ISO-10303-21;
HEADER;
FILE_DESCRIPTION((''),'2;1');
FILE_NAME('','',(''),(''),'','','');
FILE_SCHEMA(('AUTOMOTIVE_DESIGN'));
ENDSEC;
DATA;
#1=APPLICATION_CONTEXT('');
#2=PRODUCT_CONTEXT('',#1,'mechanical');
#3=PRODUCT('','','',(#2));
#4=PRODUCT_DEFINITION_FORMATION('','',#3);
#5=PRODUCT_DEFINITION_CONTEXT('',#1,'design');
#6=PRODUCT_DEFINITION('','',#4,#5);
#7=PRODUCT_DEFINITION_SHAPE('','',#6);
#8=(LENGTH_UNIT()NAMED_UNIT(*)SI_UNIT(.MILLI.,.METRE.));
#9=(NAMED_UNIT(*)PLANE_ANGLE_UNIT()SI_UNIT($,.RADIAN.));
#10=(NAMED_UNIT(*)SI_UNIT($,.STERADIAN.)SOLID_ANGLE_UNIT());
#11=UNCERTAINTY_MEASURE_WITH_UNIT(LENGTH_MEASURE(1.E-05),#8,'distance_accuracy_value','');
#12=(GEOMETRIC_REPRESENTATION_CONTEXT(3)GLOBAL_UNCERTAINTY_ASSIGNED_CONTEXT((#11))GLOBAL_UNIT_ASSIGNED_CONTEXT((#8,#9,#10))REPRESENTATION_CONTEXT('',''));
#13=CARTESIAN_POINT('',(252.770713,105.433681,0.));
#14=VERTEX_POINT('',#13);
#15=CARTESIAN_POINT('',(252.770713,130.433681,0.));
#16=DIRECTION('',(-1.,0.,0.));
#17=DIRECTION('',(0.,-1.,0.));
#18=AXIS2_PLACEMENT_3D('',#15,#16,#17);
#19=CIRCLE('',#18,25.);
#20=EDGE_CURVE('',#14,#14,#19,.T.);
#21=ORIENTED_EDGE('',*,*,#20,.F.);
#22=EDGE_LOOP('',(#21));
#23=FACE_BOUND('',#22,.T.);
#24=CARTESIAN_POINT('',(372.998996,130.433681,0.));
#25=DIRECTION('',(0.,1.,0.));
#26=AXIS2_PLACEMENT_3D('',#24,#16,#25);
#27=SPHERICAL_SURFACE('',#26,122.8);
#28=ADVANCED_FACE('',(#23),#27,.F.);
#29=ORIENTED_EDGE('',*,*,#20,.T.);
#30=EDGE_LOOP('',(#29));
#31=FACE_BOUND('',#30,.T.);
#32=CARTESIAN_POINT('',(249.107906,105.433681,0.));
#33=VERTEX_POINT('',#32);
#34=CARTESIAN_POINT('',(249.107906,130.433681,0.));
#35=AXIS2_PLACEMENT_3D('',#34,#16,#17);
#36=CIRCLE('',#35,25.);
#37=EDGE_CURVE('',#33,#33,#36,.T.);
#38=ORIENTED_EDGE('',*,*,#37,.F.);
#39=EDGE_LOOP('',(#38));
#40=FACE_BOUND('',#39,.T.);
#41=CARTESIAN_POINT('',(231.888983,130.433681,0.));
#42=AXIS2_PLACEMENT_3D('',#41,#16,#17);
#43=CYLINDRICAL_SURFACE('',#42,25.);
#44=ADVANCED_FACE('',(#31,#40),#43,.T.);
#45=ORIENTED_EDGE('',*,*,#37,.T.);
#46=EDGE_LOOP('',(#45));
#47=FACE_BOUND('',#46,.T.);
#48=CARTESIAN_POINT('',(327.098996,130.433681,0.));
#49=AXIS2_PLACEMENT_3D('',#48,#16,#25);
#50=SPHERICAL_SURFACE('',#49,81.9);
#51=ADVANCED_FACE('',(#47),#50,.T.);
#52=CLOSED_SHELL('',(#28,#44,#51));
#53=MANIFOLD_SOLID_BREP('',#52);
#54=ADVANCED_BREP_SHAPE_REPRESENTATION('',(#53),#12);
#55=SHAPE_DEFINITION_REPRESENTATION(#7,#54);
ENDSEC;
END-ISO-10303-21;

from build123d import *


with BuildPart() as part:
    # 草图1 → 旋转1 (revolve)
    with BuildSketch(Plane.XY):
        with BuildLine():
            Line((249.107906437, 155.433680942), (252.77071281, 155.433680942))
            ThreePointArc((252.77071281, 155.433680942), (250.84361688, 142.999644186), (250.198995672, 130.433680942))
            Line((250.198995672, 130.433680942), (245.198995672, 130.433680942))
            ThreePointArc((245.198995672, 130.433680942), (246.182124105, 143.085554157), (249.107906437, 155.433680942))
        make_face()
    revolve(axis=Axis((231.888982596, 130.433680942, 0), (1, 0, 0)))


solid = part.part
